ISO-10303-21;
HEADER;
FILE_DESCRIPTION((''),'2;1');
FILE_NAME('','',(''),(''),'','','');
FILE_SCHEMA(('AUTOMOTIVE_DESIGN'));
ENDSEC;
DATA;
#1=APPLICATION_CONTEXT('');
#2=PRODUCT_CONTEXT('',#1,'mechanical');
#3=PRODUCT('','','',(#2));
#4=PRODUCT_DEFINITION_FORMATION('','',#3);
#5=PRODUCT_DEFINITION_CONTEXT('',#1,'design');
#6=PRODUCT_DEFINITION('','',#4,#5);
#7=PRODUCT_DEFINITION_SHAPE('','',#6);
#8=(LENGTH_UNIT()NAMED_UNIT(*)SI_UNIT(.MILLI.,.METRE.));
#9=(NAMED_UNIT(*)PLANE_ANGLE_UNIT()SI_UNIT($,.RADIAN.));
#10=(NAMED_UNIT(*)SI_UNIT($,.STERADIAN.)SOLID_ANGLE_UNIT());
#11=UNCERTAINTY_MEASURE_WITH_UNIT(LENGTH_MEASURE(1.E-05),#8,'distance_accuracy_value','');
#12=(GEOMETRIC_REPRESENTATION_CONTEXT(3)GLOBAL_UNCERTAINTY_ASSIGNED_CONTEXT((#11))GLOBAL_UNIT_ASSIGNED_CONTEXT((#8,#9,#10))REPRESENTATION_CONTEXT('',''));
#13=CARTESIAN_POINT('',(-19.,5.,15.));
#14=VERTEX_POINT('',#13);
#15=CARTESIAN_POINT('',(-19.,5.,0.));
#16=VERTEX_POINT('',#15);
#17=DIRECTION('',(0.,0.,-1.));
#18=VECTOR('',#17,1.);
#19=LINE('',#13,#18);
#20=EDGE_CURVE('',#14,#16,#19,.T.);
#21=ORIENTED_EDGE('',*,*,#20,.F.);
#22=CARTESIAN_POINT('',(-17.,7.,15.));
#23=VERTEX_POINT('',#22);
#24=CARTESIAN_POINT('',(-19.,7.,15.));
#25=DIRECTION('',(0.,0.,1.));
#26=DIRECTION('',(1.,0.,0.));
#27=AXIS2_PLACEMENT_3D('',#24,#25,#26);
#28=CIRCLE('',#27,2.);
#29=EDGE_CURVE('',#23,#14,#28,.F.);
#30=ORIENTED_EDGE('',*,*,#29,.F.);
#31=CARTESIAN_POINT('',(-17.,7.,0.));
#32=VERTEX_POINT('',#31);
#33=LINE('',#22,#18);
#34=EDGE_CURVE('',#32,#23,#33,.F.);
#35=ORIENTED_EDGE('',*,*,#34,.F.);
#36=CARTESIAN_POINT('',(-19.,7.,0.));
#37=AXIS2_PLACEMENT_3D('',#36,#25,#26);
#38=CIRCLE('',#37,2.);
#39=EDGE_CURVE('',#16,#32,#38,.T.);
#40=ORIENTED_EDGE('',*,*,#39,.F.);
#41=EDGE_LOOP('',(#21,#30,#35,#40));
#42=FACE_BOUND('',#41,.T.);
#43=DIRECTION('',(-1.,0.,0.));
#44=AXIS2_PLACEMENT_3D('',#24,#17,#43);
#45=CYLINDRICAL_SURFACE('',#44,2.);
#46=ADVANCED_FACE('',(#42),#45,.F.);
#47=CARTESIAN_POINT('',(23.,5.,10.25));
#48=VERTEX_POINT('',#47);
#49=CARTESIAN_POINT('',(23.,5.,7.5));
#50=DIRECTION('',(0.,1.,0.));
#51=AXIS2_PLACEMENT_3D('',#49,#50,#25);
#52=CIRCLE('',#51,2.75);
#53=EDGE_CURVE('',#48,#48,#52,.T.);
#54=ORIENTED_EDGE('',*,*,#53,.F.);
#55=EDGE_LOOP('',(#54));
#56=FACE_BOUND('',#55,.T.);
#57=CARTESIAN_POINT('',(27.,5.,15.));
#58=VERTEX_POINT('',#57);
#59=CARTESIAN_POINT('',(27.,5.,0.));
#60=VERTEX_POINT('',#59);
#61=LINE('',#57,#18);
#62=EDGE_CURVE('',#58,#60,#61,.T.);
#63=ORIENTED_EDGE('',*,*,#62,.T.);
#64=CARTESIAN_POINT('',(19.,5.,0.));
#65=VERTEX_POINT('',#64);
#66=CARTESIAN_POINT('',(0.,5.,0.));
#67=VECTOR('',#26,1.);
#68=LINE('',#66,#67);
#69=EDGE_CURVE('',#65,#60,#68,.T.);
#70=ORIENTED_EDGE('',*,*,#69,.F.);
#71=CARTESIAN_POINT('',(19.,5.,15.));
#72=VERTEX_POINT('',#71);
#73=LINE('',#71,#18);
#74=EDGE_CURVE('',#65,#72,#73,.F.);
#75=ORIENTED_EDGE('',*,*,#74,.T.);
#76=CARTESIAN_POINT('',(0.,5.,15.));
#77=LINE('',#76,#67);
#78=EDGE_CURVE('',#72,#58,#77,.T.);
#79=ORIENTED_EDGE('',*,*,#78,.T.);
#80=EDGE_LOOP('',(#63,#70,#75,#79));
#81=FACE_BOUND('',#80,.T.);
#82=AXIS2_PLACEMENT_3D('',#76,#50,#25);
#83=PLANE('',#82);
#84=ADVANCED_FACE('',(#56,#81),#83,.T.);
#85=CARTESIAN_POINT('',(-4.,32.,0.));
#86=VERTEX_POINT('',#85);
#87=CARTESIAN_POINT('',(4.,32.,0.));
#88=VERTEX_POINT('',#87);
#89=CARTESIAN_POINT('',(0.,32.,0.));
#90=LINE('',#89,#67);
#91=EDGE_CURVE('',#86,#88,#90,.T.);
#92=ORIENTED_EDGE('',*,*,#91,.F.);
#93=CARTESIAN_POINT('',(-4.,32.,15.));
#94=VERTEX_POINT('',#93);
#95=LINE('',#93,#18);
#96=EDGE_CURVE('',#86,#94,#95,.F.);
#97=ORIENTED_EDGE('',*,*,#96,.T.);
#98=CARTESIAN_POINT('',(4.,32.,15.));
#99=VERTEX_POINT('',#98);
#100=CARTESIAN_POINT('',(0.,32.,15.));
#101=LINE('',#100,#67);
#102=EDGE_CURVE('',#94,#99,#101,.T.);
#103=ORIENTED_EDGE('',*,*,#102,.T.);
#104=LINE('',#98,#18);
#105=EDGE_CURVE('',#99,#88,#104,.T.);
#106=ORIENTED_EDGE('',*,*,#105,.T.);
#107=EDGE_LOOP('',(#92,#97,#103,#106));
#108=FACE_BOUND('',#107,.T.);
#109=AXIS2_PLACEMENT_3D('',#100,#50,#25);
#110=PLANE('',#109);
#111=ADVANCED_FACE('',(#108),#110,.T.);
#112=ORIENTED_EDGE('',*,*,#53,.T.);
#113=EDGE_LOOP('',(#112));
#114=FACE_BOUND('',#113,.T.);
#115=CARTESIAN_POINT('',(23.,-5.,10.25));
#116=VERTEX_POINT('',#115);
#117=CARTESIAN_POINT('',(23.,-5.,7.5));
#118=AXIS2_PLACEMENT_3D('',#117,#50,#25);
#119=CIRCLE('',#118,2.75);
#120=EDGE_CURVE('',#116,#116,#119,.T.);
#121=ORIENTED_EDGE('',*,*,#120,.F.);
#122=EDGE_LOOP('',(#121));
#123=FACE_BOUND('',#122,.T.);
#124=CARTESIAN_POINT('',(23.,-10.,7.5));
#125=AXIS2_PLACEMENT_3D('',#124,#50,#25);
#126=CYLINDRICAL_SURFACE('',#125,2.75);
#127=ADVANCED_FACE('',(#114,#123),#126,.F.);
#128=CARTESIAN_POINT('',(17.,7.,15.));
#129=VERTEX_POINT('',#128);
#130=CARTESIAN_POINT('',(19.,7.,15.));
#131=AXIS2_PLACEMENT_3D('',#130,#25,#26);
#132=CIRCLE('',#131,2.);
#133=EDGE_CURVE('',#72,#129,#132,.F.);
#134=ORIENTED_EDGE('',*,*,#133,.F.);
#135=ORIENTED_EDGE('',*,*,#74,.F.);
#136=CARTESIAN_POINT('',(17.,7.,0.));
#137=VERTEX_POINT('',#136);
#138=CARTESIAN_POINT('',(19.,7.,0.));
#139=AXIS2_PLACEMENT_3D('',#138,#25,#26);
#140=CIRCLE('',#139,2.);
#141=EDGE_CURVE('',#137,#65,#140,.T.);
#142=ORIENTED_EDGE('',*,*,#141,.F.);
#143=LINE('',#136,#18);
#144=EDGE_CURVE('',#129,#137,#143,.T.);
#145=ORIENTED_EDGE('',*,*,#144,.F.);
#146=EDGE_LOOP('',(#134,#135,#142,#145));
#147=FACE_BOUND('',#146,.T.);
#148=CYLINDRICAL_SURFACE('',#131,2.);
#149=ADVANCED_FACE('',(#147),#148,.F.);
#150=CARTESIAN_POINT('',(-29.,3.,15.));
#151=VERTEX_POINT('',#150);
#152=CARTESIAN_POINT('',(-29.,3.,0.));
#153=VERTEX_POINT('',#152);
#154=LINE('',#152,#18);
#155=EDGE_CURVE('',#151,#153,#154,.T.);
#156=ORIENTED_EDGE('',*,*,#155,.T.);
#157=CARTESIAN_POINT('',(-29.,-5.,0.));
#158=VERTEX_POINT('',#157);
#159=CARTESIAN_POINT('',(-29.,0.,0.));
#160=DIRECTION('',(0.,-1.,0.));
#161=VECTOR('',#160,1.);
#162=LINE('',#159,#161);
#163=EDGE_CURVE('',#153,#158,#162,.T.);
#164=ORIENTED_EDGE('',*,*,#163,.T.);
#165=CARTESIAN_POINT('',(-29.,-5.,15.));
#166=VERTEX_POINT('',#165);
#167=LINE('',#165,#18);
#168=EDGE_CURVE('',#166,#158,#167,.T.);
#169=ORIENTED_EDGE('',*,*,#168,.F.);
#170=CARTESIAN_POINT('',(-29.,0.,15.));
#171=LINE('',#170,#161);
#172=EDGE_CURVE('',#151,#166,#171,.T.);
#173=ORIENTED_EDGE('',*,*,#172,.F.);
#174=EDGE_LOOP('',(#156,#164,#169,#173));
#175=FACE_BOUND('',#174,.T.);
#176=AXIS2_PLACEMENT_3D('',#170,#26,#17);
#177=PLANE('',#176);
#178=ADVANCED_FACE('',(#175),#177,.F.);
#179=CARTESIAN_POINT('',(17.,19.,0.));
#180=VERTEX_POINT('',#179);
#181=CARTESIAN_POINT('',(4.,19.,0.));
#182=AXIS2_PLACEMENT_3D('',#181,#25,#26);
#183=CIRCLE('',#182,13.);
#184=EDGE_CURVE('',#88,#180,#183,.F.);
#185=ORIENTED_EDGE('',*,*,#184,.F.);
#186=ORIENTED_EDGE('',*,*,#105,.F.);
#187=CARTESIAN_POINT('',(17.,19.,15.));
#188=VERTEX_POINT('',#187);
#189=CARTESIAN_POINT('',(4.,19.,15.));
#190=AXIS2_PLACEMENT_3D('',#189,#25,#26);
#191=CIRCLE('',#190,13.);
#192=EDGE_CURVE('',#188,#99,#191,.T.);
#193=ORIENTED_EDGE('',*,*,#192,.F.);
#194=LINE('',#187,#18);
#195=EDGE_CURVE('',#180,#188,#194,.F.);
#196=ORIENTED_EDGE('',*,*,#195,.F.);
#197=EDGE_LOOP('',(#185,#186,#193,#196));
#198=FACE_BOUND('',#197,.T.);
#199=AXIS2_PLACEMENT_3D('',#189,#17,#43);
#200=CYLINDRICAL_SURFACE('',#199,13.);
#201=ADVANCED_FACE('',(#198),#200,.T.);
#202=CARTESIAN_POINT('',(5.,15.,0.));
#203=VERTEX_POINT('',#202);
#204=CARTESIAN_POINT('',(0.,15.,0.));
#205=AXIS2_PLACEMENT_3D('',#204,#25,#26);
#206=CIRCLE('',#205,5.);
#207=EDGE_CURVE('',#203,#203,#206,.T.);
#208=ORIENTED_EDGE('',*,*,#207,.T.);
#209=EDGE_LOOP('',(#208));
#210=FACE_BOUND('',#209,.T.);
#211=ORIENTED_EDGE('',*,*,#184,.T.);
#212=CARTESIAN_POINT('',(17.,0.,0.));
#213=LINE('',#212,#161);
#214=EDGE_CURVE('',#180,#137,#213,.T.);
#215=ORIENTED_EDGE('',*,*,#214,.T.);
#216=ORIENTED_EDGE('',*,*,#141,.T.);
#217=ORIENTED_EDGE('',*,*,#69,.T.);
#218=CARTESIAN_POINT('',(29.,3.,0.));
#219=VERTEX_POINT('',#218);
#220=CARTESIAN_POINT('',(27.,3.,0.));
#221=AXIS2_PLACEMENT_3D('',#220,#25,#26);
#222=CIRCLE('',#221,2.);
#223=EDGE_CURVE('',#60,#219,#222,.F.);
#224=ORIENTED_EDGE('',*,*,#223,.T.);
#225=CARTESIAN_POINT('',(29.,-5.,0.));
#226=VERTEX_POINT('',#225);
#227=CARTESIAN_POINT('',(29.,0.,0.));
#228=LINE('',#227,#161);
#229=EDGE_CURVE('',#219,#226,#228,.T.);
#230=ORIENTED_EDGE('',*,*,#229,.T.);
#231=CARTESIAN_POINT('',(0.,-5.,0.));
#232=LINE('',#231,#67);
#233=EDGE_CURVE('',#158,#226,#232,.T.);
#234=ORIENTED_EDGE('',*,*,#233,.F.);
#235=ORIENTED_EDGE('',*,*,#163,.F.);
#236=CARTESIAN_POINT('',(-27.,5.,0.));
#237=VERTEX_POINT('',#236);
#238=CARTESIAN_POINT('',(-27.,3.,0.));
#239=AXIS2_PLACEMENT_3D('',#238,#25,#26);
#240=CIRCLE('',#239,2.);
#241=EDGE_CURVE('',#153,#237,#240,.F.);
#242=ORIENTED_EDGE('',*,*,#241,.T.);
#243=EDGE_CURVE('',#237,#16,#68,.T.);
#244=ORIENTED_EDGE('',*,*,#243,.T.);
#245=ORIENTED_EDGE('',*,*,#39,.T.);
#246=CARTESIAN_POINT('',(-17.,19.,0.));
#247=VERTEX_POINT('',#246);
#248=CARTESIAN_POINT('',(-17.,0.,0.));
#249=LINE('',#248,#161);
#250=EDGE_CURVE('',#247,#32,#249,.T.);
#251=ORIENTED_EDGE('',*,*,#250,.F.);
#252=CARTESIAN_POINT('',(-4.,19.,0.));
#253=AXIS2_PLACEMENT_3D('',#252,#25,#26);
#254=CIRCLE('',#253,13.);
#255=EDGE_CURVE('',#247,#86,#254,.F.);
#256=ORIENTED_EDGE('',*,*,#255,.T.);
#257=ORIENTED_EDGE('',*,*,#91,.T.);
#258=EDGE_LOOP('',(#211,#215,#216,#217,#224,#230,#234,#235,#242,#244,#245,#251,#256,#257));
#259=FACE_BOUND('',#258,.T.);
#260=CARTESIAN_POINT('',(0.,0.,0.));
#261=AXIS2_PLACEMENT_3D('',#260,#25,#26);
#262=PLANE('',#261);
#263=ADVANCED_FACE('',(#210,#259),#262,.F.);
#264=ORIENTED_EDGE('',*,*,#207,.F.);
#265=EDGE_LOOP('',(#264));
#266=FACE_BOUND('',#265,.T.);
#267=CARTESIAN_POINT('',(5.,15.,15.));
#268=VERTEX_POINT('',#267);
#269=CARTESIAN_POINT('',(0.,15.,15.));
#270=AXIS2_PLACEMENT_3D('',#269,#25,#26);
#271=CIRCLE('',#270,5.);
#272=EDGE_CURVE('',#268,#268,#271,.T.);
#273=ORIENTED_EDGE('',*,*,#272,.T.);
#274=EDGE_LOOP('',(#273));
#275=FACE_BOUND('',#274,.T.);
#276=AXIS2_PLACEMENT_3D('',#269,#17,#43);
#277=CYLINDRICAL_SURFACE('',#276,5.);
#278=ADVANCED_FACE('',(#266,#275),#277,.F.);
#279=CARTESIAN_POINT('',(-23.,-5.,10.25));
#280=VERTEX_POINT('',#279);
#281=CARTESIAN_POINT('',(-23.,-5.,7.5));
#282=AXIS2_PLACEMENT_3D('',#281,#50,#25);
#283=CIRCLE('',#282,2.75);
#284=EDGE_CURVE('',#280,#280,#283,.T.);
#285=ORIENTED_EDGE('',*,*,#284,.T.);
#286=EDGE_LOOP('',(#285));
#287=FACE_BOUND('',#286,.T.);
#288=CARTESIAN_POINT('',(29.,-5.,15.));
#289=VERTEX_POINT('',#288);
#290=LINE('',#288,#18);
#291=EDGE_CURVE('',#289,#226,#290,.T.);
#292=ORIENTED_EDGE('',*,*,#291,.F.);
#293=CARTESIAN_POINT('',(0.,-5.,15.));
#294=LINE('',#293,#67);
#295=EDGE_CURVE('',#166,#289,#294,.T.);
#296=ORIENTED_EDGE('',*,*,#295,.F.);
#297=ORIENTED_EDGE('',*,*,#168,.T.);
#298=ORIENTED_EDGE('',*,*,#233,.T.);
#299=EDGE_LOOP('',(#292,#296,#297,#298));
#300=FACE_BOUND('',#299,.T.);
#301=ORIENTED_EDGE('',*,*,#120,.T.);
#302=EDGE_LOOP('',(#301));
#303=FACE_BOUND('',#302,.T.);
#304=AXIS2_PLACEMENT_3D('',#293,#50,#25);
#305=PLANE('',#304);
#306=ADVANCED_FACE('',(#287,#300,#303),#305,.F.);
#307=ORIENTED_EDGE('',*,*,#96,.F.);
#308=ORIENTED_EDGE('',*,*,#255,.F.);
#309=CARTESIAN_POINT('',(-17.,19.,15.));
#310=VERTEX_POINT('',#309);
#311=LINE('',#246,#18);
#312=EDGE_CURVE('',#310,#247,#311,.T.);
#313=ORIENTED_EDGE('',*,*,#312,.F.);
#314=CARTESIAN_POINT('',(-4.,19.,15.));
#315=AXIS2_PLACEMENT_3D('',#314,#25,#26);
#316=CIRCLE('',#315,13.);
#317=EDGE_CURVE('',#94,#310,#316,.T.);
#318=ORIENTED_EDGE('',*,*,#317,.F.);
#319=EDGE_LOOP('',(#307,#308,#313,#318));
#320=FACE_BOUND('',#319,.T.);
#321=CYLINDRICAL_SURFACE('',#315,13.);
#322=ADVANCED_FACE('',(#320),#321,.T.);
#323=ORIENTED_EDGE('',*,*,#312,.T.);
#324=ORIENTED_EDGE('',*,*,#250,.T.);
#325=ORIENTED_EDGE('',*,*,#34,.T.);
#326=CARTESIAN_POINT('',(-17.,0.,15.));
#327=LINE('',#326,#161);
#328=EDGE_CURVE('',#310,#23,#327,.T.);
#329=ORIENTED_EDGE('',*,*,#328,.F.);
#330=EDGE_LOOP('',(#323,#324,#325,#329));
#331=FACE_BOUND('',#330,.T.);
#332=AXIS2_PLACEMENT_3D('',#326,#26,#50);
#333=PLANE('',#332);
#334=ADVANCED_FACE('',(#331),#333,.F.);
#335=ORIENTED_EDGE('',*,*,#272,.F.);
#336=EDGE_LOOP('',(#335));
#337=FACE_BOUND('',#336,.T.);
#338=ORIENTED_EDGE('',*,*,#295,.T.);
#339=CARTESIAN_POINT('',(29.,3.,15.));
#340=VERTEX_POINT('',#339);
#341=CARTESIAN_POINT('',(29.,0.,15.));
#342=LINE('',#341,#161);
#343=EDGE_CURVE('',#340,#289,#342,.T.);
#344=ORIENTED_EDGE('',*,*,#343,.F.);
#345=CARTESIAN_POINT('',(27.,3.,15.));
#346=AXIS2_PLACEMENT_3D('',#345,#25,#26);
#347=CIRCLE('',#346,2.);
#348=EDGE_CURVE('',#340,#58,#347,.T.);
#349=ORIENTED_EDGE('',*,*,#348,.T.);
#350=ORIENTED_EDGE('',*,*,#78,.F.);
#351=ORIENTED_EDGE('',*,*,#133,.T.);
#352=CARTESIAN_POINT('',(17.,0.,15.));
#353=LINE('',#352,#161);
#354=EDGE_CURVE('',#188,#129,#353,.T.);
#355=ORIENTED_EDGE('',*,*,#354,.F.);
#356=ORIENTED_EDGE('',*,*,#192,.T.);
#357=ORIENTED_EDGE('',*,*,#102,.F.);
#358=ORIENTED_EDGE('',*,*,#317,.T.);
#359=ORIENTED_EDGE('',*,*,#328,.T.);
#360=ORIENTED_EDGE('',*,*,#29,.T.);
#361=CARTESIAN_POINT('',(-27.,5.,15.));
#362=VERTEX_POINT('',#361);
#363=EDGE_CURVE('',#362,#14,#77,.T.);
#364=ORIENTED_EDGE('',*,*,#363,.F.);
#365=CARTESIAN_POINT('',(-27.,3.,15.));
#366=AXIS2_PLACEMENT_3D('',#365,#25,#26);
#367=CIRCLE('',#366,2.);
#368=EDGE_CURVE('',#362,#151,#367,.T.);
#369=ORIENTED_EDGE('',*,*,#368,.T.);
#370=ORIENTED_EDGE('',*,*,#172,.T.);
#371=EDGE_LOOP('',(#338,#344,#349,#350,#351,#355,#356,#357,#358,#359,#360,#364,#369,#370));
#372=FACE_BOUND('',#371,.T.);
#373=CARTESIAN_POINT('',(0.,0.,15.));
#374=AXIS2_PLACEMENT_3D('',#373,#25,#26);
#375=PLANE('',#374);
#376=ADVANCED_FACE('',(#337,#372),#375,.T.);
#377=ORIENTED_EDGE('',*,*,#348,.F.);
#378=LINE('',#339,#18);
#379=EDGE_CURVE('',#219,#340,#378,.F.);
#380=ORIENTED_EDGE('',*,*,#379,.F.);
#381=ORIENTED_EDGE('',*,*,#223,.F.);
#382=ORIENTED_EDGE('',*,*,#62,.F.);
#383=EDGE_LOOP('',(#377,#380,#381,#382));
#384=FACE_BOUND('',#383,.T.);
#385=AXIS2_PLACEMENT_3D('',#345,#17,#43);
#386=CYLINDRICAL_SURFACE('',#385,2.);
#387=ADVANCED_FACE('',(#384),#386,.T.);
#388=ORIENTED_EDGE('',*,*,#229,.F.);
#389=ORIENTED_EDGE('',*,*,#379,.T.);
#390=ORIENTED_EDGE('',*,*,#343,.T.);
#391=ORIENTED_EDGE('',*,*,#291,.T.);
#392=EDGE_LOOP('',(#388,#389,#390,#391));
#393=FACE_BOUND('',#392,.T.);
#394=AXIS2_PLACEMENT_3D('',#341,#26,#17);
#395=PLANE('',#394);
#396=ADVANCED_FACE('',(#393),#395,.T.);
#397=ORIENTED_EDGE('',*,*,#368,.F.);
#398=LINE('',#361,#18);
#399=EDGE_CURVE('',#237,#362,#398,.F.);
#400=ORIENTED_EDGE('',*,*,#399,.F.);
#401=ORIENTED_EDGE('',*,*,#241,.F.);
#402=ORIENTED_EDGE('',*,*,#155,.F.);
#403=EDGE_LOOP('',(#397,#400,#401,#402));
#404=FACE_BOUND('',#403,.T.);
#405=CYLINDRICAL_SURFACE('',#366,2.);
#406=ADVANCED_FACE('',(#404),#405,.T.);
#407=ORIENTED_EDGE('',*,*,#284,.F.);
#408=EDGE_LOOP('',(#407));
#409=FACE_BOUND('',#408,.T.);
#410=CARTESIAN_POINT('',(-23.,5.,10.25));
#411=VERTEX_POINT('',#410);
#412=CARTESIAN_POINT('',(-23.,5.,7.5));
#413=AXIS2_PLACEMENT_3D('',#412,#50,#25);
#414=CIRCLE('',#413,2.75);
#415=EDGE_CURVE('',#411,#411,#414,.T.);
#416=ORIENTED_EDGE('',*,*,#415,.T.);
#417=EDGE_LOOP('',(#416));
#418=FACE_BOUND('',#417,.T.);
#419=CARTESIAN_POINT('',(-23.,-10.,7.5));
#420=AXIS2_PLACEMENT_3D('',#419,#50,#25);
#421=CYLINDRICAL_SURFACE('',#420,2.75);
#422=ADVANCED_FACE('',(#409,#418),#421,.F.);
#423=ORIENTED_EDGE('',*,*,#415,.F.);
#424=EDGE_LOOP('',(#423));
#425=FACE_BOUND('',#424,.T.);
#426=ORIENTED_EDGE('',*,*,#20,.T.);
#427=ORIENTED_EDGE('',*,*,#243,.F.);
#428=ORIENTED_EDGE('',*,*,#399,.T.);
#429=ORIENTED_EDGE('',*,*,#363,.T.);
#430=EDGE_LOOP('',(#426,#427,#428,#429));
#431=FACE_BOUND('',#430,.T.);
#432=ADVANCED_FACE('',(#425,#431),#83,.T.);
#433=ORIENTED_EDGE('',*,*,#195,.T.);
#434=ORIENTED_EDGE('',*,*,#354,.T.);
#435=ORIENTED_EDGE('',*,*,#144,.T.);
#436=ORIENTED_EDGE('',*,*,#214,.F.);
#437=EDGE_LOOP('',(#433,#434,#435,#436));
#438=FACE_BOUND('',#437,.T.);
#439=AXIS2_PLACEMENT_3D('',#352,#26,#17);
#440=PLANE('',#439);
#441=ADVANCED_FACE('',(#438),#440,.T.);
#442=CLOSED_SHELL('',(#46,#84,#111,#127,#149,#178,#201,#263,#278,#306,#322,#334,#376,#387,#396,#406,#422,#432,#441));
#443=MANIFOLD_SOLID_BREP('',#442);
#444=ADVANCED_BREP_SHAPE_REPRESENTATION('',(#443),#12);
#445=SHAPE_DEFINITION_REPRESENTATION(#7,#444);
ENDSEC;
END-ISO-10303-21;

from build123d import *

# Parameters (mm, degrees)
SKETCH_1_W          = 58
SKETCH_1_H          = 10
SKETCH_1_W_2        = 34
SKETCH_1_H_2        = 27
SKETCH_1_R          = 5
EXTRUDE_1_DEPTH     = 15
SKETCH_2_R          = 2.75
CUT_EXTRUDE_1_DEPTH = 15
FILLET_2_R          = 13
FILLET_3_R          = 2


with BuildPart() as part:
    # 草图1 → 凸台-拉伸1 (new body)
    with BuildSketch(Plane.XY):
        Rectangle(SKETCH_1_W, SKETCH_1_H)
        with Locations((0, 18.5)):
            Rectangle(SKETCH_1_W_2, SKETCH_1_H_2)
        with Locations((0, 15)):
            Circle(SKETCH_1_R, mode=Mode.SUBTRACT)
    extrude(amount=EXTRUDE_1_DEPTH)

    # 草图2 → 切除-拉伸1 (cut)
    with BuildSketch(Plane(origin=(0, 5, 0), x_dir=(1, 0, 0), z_dir=(0, 1, 0))):
        with Locations((-23, -7.5)):
            Circle(SKETCH_2_R)
        with Locations((23, -7.5)):
            Circle(SKETCH_2_R)
    extrude(amount=-CUT_EXTRUDE_1_DEPTH, mode=Mode.SUBTRACT)

    # 圆角2
    fillet_2_edges = [part.edges().sort_by_distance(p)[0] for p in [
        (-17, 32, 7.5),
        (17, 32, 7.5),
    ]]
    fillet(fillet_2_edges, radius=FILLET_2_R)

    # 圆角3
    fillet_3_edges = [part.edges().sort_by_distance(p)[0] for p in [
        (-29, 5, 7.5),
        (-17, 5, 7.5),
        (17, 5, 7.5),
        (29, 5, 7.5),
    ]]
    fillet(fillet_3_edges, radius=FILLET_3_R)


solid = part.part
